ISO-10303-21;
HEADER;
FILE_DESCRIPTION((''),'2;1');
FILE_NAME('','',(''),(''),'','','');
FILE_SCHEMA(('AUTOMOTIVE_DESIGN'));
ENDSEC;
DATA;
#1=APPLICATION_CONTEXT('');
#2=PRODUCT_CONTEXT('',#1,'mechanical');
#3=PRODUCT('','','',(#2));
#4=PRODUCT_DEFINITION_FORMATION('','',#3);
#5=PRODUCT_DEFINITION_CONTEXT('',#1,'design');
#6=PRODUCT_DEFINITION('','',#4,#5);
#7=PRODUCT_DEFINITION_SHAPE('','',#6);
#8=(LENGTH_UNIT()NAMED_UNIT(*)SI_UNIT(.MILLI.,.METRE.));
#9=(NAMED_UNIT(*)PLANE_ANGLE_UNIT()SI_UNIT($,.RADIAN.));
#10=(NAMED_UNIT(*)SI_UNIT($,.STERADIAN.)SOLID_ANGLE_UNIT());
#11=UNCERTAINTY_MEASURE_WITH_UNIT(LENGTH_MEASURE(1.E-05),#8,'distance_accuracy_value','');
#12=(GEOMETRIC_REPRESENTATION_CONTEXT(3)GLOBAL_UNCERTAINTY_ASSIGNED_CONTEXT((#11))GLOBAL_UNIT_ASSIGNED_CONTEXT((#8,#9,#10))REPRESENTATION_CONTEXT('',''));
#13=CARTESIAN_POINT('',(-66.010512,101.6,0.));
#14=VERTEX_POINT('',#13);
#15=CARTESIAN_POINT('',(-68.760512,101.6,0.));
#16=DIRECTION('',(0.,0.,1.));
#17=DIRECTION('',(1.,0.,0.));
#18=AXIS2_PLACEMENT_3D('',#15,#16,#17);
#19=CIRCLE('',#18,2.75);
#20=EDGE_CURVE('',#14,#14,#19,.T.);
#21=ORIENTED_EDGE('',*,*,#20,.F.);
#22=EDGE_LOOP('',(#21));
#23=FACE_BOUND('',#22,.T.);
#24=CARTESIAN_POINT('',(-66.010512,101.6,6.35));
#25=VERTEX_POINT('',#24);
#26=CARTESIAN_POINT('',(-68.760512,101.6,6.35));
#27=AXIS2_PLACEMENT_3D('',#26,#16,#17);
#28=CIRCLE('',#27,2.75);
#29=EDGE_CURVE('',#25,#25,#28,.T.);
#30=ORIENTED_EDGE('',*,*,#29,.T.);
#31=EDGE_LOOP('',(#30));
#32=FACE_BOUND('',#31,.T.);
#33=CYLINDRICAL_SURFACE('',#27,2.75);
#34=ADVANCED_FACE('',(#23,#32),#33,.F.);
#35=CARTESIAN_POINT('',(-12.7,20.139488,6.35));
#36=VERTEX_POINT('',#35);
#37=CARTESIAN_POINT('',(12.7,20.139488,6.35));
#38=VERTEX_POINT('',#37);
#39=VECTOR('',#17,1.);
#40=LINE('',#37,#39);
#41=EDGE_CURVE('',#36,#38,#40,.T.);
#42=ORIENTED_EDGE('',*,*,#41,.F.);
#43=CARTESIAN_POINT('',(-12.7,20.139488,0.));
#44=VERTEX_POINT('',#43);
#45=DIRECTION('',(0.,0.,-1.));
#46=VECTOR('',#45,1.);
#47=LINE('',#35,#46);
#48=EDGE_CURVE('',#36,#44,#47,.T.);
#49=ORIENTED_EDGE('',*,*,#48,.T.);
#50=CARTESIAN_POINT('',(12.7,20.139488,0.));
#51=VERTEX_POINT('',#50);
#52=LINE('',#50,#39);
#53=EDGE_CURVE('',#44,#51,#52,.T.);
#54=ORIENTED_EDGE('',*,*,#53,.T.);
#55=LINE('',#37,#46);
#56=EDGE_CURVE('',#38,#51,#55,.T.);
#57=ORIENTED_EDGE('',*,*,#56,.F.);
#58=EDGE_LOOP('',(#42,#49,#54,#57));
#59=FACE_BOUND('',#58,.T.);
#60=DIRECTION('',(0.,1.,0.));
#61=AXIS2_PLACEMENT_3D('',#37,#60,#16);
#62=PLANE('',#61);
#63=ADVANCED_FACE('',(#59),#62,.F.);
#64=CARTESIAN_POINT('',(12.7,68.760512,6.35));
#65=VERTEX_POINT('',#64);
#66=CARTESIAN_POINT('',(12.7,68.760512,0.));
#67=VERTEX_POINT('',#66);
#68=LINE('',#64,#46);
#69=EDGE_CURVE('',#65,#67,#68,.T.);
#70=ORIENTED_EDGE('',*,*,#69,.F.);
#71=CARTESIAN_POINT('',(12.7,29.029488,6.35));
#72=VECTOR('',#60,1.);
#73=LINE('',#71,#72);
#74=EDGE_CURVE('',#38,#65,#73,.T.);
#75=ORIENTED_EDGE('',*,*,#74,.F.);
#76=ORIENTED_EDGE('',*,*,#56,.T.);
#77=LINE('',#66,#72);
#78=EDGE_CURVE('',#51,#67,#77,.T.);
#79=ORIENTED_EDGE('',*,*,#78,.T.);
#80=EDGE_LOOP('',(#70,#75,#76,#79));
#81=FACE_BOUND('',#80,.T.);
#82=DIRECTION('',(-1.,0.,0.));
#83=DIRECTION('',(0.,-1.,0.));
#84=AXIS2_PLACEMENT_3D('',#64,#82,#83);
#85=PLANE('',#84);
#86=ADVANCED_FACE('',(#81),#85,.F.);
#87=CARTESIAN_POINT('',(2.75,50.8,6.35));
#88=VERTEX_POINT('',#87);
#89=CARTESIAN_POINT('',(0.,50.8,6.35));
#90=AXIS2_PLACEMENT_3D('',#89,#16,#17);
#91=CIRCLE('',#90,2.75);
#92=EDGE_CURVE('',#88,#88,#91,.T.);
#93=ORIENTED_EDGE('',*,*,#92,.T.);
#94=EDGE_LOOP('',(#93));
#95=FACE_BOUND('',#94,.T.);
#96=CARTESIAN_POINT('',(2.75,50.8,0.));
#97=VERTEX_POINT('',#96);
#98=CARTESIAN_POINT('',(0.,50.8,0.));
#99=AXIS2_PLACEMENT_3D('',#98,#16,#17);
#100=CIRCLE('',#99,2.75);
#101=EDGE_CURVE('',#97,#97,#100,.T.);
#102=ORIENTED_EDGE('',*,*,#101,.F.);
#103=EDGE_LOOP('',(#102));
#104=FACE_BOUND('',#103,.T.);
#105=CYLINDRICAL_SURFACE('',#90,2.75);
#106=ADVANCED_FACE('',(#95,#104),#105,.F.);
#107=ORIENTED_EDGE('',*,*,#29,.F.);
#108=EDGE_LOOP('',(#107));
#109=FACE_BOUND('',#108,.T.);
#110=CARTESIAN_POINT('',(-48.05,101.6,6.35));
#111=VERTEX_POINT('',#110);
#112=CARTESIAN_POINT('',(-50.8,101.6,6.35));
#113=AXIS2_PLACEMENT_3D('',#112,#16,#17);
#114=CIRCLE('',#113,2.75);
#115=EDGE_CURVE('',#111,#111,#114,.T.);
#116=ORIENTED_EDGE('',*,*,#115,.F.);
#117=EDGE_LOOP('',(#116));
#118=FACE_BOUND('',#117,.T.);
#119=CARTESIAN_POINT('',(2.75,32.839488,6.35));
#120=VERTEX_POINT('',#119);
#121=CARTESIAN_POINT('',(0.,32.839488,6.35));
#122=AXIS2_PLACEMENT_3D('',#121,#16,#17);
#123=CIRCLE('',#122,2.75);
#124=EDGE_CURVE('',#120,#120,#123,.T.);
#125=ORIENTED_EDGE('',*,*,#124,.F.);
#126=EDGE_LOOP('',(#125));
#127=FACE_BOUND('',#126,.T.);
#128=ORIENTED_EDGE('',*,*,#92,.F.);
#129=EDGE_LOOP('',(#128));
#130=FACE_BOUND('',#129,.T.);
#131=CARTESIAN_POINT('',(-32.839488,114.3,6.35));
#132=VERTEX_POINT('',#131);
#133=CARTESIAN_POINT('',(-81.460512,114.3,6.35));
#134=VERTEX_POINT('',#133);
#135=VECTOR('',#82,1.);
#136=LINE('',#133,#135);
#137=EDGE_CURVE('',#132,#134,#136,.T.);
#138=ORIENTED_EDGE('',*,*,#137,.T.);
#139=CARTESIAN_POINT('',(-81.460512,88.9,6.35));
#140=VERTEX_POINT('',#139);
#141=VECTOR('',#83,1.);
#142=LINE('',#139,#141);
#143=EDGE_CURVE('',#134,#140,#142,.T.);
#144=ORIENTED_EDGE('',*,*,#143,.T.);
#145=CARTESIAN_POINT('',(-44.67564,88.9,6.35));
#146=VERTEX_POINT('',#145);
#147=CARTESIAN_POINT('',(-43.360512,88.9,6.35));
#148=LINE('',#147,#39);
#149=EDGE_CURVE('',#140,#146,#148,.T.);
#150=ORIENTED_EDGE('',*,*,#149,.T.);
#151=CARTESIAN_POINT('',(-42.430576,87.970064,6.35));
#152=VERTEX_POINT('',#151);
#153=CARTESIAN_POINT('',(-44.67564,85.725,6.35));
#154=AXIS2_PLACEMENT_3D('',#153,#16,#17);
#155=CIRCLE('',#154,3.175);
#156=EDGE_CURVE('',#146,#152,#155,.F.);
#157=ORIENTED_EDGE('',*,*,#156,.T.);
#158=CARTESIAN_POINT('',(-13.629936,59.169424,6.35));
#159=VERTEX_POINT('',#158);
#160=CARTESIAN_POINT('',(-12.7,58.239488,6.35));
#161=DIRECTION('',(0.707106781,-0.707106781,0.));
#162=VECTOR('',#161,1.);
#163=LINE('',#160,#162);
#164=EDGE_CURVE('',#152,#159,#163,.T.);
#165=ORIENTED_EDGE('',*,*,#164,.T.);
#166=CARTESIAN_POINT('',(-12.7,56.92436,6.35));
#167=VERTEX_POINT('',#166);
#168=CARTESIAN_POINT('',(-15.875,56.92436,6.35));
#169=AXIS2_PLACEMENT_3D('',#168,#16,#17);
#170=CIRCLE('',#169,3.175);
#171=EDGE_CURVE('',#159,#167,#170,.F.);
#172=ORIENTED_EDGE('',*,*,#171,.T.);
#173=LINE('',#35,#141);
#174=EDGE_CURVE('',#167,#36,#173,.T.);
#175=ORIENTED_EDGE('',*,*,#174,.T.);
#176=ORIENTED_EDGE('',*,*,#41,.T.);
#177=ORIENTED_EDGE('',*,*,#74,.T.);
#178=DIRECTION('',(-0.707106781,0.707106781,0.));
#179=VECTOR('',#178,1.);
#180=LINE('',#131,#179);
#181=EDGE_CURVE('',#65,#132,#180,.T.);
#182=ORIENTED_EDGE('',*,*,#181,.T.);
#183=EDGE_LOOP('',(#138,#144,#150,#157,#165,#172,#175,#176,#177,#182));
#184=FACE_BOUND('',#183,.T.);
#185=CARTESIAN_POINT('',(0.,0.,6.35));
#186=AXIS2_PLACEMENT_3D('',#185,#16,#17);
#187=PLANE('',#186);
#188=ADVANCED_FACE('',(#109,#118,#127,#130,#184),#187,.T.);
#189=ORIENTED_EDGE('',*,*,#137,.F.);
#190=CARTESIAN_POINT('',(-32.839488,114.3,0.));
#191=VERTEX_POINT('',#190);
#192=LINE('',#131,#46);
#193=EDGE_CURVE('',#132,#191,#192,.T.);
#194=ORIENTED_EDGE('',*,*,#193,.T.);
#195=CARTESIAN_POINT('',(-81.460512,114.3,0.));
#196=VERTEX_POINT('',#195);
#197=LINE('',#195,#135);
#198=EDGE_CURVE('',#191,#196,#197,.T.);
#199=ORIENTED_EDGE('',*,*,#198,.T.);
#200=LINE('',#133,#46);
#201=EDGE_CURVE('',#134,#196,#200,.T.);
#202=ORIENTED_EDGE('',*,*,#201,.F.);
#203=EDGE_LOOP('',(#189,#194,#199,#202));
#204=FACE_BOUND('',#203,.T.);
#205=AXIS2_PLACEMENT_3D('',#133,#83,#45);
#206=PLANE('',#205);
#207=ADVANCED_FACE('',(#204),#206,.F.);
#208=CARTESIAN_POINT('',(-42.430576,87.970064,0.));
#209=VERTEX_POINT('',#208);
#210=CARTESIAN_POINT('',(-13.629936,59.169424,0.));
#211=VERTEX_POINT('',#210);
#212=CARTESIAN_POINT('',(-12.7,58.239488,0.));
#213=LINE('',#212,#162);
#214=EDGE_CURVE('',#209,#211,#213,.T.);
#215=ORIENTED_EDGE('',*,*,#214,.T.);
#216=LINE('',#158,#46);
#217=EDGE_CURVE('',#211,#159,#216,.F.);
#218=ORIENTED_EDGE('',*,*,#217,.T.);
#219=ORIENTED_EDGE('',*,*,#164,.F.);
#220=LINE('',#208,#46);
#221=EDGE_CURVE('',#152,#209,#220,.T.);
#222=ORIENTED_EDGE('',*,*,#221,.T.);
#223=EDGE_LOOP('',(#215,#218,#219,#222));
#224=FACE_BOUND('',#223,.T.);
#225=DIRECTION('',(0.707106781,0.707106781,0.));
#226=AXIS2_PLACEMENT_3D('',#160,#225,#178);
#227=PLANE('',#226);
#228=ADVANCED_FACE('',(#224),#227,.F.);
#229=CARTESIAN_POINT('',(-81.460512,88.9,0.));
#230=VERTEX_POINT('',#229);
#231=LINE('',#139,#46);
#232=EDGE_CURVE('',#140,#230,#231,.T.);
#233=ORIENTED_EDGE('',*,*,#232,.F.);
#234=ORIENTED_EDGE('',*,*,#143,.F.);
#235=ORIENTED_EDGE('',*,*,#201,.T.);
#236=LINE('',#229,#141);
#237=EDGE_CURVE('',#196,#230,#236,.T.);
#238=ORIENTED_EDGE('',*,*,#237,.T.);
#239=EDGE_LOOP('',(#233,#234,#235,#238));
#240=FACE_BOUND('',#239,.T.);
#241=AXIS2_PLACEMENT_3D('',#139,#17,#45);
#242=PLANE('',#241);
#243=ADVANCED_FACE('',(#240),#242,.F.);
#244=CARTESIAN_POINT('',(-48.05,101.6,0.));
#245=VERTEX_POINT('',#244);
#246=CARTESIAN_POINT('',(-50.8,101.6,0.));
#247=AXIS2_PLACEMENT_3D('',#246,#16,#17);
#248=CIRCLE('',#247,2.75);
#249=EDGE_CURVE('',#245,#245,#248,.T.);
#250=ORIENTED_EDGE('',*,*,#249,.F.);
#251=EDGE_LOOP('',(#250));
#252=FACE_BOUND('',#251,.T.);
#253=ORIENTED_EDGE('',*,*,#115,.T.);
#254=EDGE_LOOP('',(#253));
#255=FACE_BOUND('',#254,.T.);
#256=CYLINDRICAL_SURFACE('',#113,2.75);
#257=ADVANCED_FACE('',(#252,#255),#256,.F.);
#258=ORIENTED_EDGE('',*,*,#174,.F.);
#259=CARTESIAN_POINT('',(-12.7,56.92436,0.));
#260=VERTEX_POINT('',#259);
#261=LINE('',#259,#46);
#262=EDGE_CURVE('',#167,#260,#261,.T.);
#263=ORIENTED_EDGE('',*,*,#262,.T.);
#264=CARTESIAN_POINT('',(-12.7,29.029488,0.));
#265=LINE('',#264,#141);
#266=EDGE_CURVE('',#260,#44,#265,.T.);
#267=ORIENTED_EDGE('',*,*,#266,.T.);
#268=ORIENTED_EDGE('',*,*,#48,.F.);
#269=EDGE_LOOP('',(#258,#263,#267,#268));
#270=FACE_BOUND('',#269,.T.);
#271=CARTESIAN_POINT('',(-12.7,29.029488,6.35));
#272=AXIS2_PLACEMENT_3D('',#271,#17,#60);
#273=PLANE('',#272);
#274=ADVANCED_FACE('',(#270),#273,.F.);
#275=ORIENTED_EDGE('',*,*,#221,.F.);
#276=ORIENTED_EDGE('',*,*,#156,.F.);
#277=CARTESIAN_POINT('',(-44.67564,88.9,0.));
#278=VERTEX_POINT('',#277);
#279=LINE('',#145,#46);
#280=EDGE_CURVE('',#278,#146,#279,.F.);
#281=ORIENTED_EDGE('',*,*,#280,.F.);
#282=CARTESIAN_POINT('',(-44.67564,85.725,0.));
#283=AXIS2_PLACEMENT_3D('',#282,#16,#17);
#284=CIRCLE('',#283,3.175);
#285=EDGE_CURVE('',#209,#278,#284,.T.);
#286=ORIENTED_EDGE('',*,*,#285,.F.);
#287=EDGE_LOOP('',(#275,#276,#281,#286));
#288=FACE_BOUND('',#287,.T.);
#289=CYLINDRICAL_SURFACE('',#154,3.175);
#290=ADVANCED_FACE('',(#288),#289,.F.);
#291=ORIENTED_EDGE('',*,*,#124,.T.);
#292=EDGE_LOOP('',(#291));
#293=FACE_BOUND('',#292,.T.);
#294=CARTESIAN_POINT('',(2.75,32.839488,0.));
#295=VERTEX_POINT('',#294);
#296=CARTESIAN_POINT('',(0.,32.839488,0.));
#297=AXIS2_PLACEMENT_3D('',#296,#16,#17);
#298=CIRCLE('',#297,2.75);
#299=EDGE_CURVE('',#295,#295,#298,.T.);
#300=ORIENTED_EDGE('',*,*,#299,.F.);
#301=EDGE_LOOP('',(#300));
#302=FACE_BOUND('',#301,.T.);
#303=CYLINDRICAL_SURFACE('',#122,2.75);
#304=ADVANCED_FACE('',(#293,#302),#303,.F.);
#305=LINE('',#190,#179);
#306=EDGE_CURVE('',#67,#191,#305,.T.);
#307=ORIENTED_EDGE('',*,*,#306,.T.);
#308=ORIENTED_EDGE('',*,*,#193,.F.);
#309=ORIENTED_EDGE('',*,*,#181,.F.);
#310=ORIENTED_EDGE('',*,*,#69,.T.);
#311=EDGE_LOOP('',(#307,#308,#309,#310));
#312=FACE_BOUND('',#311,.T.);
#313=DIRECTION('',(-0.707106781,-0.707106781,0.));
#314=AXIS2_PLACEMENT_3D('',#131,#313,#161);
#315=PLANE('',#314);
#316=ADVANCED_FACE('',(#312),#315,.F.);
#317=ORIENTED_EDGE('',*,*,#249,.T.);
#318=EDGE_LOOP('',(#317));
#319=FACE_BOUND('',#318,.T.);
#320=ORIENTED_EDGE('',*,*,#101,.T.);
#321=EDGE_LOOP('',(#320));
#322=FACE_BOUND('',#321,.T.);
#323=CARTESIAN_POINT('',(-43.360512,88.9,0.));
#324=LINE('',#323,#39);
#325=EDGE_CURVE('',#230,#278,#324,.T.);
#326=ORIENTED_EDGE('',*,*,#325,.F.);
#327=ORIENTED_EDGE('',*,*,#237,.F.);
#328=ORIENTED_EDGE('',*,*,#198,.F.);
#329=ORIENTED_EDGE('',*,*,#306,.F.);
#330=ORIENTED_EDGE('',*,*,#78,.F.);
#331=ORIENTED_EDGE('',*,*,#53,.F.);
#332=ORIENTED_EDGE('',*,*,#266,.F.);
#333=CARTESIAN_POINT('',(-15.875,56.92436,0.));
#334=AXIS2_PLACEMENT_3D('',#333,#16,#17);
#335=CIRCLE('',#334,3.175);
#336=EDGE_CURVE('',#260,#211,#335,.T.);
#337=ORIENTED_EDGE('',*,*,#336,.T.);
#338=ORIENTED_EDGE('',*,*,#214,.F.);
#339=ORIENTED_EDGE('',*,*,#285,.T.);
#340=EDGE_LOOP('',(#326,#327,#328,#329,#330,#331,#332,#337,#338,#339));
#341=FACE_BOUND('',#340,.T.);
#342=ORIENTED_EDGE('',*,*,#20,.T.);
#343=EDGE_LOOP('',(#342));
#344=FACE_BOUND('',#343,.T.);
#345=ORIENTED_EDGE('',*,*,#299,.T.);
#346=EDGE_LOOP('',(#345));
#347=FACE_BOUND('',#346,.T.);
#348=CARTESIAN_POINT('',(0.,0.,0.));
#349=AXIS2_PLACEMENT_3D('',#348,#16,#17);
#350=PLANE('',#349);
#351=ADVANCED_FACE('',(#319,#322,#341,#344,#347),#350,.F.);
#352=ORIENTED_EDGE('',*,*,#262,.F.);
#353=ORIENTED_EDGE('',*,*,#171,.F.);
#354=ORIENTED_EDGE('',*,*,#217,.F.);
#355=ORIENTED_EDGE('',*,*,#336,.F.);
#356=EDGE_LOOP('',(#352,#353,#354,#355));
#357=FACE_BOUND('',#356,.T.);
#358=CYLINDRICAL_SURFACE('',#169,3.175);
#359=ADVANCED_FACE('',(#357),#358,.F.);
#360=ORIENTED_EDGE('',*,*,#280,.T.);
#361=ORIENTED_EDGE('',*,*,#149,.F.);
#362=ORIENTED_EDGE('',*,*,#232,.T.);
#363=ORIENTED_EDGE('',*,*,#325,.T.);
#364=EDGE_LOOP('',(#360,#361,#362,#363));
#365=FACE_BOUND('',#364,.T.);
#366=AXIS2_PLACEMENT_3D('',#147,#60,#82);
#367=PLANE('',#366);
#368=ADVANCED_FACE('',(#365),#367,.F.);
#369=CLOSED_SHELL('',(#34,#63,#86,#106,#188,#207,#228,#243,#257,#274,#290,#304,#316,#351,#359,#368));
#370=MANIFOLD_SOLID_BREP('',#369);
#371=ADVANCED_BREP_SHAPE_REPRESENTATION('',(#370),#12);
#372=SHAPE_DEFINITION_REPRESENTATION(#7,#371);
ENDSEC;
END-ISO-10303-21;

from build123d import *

# Parameters (mm, degrees)
BOSS_EXTRUDE1_DEPTH      = 6.35
FILLET1_R                = 3.175
M5_CLEARANCE_HOLE1_D     = 5.5
M5_CLEARANCE_HOLE1_DEPTH = 18.75
M5_CLEARANCE_HOLE1_TIP   = 1.652366702


with BuildPart() as part:
    # Sketch1 → Boss-Extrude1 (new body)
    with BuildSketch(Plane.XY):
        Polygon((-12.7, 29.029487758), (-12.7, 58.239487758), (-43.360512242, 88.9), (-81.460512242, 88.9), (-81.460512242, 114.3), (-32.839487758, 114.3), (12.7, 68.760512242), (12.7, 37.919487758), (12.7, 29.029487758), (12.7, 20.139487758), (-12.7, 20.139487758), align=None)
    extrude(amount=BOSS_EXTRUDE1_DEPTH)

    # Fillet1
    fillet1_edges = [part.edges().sort_by_distance(p)[0] for p in [
        (-12.7, 58.239487758, 3.175),
        (-43.360512242, 88.9, 3.175),
    ]]
    fillet(fillet1_edges, radius=FILLET1_R)

    # M5 Clearance Hole1
    with Locations(Plane.XY.offset(6.35)):
        with Locations((0, 50.8), (-50.8, 101.6), (-68.760512242, 101.6), (0, 32.839487758)):
            Hole(M5_CLEARANCE_HOLE1_D / 2, depth=M5_CLEARANCE_HOLE1_DEPTH)
            with Locations((0, 0, -(M5_CLEARANCE_HOLE1_DEPTH + M5_CLEARANCE_HOLE1_TIP / 2))):  # 118° drill point
                Cone(0, M5_CLEARANCE_HOLE1_D / 2, M5_CLEARANCE_HOLE1_TIP, mode=Mode.SUBTRACT)


solid = part.part
